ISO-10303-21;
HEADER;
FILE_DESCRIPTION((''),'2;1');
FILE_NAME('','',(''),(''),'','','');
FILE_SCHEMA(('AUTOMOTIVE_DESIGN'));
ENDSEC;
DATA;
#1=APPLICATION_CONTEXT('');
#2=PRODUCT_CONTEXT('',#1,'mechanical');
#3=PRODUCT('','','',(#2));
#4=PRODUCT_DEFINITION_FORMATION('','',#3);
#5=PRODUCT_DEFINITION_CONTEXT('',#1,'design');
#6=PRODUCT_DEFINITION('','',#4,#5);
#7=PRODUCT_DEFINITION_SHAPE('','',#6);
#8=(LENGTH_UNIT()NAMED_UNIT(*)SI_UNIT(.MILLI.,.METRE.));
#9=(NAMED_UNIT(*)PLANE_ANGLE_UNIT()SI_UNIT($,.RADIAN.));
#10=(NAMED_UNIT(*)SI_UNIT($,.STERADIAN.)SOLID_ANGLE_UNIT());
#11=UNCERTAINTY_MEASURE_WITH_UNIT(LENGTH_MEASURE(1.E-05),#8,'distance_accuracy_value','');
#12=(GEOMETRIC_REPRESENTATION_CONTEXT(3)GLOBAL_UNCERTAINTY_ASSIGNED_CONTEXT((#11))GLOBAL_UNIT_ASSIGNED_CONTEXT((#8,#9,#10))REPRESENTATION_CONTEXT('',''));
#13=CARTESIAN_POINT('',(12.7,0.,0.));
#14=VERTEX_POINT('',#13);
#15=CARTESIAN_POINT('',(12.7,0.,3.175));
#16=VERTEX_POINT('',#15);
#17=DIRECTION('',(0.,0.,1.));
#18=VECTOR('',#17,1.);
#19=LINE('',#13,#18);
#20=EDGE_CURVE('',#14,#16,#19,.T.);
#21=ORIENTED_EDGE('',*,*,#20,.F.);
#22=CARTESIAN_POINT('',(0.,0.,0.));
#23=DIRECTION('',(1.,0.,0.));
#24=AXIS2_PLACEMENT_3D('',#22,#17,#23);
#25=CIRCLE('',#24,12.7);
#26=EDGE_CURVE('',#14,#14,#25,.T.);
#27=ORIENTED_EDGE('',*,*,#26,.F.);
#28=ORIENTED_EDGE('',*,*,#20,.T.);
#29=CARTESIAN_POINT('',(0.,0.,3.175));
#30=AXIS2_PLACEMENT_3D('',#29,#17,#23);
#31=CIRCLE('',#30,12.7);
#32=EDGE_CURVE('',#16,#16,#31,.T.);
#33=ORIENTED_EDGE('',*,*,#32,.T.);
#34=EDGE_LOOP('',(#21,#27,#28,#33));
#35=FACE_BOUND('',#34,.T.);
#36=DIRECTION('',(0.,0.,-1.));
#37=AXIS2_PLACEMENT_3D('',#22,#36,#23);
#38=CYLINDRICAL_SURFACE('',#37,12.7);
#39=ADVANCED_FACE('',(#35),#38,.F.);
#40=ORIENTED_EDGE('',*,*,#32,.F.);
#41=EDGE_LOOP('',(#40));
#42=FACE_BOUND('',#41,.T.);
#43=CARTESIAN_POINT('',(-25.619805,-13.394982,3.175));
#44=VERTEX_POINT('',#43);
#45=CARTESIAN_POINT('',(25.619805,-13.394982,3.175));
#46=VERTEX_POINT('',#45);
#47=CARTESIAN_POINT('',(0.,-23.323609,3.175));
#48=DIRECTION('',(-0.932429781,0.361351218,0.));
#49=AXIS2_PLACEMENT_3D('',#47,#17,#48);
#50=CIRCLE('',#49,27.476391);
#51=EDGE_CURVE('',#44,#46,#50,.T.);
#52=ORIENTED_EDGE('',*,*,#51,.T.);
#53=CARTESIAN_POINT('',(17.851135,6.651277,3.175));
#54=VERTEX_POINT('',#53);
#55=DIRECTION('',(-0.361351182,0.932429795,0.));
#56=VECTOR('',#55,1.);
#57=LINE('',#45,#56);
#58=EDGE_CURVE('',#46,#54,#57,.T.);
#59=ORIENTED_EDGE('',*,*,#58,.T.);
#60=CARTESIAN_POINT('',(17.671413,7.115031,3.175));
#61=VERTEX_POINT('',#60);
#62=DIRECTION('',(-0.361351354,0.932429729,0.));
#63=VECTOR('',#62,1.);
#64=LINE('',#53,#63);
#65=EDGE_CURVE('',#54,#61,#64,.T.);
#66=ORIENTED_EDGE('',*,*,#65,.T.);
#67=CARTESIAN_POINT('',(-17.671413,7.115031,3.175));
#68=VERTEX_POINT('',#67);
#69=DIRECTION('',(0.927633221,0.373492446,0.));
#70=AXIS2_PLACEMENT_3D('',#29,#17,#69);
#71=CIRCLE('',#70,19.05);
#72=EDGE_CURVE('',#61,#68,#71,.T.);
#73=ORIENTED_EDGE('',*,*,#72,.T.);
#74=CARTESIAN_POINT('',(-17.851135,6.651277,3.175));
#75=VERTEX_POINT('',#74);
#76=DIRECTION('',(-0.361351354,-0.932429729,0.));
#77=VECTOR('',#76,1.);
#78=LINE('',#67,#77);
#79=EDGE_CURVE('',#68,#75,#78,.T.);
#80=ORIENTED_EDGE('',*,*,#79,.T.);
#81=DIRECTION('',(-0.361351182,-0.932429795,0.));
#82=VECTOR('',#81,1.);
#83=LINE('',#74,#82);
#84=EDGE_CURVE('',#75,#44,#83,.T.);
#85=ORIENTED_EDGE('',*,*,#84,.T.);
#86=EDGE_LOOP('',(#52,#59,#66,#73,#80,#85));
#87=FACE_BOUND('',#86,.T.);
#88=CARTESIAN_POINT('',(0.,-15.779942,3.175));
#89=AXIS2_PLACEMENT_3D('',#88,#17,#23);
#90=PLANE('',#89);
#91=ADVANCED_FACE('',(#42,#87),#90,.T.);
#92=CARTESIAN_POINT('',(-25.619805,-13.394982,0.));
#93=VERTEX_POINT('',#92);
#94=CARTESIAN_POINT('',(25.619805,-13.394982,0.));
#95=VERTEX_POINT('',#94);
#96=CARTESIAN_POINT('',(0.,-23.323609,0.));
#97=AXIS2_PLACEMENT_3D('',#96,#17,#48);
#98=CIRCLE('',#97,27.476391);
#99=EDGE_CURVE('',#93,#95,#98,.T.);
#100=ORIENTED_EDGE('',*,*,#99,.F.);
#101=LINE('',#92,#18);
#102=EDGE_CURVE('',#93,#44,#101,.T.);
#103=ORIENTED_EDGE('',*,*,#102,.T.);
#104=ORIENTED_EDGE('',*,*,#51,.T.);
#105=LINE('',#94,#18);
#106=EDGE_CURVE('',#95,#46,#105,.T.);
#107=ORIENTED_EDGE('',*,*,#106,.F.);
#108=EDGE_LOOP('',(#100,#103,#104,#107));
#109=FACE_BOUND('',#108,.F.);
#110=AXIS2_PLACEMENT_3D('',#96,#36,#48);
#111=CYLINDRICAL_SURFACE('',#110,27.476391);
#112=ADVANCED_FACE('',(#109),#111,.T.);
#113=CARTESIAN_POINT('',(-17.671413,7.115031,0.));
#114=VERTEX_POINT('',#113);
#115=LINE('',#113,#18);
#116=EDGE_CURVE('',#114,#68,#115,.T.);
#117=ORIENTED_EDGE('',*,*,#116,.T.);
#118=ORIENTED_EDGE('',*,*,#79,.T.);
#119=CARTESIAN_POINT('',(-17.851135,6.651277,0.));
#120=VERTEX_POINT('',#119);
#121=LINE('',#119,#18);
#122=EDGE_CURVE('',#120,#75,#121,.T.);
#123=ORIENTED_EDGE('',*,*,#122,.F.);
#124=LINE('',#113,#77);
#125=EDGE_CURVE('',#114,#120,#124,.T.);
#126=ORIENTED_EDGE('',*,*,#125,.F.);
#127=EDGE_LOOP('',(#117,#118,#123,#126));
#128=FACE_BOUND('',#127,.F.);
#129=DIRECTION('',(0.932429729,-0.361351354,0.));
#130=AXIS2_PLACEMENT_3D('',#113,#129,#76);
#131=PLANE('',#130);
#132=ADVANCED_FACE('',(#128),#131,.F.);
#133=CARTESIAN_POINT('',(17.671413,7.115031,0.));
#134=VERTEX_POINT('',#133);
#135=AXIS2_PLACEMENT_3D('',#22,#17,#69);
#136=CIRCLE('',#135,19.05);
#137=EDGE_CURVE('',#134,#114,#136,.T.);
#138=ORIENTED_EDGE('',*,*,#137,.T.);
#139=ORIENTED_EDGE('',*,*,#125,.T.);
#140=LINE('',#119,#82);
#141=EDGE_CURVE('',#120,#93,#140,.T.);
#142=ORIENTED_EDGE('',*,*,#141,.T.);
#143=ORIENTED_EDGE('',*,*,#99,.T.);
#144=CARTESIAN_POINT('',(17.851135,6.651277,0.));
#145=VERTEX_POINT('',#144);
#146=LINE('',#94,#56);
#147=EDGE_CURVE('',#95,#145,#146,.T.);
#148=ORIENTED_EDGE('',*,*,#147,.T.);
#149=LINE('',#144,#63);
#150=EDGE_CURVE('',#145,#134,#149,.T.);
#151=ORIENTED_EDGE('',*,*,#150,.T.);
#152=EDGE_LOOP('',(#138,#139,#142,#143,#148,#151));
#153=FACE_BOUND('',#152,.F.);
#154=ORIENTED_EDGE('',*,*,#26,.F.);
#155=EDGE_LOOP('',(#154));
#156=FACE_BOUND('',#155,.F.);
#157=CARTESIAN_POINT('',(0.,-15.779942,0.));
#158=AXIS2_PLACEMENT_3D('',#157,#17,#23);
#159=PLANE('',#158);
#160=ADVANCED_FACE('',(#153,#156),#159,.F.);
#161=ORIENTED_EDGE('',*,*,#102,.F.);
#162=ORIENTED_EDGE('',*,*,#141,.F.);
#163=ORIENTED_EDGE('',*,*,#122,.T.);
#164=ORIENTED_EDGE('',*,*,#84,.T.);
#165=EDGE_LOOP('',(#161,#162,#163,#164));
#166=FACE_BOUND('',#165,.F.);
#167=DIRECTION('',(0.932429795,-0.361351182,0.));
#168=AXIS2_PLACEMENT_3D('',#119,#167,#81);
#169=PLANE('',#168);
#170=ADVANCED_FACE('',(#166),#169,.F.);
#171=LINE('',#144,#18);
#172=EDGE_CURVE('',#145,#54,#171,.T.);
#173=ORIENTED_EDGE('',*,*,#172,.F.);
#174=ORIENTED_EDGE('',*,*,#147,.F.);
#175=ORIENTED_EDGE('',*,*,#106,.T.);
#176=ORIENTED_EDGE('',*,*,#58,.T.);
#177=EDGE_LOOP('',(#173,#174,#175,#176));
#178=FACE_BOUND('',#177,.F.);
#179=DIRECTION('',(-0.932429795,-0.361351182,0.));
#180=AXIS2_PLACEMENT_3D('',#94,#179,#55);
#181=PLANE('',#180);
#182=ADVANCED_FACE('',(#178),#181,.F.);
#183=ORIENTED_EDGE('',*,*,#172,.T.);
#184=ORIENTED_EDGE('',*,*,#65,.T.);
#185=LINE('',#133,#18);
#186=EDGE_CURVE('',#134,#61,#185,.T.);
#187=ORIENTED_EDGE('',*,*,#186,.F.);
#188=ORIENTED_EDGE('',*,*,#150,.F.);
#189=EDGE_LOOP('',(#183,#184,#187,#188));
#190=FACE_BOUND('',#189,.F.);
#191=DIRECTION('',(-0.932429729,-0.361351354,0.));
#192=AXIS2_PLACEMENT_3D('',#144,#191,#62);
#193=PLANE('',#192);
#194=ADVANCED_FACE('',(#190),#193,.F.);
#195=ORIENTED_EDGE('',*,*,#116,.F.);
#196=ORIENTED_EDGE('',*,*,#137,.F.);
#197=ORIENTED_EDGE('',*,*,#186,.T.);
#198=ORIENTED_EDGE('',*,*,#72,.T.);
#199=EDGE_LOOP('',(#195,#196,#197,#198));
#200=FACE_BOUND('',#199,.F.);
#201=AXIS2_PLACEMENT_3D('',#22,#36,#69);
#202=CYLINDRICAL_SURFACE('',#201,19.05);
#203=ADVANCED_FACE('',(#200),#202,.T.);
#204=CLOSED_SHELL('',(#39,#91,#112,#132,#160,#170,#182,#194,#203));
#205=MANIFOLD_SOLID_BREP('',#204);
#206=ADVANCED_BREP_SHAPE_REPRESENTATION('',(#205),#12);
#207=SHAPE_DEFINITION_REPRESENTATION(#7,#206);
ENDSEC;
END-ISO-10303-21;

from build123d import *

# Parameters (mm, degrees)
F0_R     = 12.7
F1_DEPTH = 3.175


with BuildPart() as f1:
    # F0 (on Top) → F1 (new body)
    with BuildSketch(Plane.XY):
        with BuildLine():
            Line((25.619805, -13.394982), (17.851135, 6.651277))
            Line((17.851135, 6.651277), (17.671413, 7.115031))
            ThreePointArc((17.671413, 7.115031), (0, 19.05), (-17.671413, 7.115031))
            Line((-17.671413, 7.115031), (-17.851135, 6.651277))
            Line((-17.851135, 6.651277), (-25.619805, -13.394982))
            ThreePointArc((-25.619805, -13.394982), (0, -50.8), (25.619805, -13.394982))
        make_face()
        Circle(F0_R, mode=Mode.SUBTRACT)
    extrude(amount=F1_DEPTH)


solid = f1.part
